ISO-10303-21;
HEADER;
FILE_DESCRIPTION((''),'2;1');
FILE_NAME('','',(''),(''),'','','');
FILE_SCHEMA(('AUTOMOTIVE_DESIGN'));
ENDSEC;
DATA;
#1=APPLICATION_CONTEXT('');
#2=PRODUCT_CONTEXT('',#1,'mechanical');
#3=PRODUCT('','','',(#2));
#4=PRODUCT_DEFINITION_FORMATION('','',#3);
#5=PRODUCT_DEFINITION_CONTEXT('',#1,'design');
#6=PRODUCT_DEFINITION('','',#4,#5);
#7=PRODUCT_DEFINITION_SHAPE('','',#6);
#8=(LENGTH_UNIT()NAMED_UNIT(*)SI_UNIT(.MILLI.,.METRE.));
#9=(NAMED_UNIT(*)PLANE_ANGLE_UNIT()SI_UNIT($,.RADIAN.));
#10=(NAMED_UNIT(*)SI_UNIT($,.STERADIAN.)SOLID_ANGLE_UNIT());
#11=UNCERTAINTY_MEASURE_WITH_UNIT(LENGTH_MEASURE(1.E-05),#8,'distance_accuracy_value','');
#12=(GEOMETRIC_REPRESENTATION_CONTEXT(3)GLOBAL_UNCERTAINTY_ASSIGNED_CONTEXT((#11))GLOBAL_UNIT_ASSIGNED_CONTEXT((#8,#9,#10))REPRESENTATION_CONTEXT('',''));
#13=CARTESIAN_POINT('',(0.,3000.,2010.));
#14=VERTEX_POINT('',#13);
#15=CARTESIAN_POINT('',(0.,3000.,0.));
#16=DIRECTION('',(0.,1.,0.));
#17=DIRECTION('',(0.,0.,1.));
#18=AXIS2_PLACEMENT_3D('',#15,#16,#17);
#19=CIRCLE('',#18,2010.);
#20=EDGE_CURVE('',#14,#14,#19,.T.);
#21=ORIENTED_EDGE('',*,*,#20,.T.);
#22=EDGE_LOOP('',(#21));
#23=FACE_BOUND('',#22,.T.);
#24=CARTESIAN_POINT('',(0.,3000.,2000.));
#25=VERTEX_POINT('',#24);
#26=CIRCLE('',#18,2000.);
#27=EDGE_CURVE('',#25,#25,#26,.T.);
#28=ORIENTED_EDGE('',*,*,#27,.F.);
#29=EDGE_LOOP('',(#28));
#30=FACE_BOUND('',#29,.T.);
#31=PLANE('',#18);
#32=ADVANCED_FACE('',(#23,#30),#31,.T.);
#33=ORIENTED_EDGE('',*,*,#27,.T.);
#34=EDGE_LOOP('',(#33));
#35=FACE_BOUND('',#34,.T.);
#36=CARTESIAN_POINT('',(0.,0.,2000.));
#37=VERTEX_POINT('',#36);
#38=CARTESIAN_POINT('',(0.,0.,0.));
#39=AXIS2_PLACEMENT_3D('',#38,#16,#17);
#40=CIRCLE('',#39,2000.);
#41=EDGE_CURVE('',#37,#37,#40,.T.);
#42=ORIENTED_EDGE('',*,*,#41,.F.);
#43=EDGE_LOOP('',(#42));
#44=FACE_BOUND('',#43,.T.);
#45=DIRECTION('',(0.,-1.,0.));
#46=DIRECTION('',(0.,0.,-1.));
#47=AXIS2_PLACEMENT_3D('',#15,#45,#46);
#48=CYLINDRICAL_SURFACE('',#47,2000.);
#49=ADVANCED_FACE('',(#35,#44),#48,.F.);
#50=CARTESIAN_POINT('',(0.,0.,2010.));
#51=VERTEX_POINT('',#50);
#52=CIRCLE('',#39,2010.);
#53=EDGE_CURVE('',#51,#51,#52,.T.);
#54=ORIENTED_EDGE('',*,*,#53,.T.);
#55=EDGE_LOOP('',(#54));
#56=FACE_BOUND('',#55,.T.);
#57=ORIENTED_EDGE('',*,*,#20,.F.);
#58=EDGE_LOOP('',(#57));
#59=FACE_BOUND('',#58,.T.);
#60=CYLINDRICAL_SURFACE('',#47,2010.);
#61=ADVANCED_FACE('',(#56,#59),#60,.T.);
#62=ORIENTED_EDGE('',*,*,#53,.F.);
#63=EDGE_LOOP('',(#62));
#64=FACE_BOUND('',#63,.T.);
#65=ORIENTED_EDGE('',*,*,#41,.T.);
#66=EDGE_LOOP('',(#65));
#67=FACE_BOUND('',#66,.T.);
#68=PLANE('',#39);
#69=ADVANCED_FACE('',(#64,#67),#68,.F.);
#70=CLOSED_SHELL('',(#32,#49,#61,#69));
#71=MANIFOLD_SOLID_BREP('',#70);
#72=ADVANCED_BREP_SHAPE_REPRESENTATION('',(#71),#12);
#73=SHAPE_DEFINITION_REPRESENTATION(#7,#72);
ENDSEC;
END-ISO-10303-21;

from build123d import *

# Parameters (mm, degrees)
SKETCH1_R      = 2010
SKETCH1_R_2    = 2000
EXTRUDE1_DEPTH = 3000


with BuildPart() as part:
    # Sketch1 → Extrude1 (new body)
    with BuildSketch(Plane(origin=(0, 0, 0), x_dir=(1, 0, 0), z_dir=(0, 1, 0))):
        with Locations(Location((0, 0, 0), (0, 0, 270))):  # turned: the seam where the file's is
            Circle(SKETCH1_R)
        with Locations(Location((0, 0, 0), (0, 0, 270))):  # turned: the seam where the file's is
            Circle(SKETCH1_R_2, mode=Mode.SUBTRACT)
    extrude(amount=EXTRUDE1_DEPTH)


solid = part.part
